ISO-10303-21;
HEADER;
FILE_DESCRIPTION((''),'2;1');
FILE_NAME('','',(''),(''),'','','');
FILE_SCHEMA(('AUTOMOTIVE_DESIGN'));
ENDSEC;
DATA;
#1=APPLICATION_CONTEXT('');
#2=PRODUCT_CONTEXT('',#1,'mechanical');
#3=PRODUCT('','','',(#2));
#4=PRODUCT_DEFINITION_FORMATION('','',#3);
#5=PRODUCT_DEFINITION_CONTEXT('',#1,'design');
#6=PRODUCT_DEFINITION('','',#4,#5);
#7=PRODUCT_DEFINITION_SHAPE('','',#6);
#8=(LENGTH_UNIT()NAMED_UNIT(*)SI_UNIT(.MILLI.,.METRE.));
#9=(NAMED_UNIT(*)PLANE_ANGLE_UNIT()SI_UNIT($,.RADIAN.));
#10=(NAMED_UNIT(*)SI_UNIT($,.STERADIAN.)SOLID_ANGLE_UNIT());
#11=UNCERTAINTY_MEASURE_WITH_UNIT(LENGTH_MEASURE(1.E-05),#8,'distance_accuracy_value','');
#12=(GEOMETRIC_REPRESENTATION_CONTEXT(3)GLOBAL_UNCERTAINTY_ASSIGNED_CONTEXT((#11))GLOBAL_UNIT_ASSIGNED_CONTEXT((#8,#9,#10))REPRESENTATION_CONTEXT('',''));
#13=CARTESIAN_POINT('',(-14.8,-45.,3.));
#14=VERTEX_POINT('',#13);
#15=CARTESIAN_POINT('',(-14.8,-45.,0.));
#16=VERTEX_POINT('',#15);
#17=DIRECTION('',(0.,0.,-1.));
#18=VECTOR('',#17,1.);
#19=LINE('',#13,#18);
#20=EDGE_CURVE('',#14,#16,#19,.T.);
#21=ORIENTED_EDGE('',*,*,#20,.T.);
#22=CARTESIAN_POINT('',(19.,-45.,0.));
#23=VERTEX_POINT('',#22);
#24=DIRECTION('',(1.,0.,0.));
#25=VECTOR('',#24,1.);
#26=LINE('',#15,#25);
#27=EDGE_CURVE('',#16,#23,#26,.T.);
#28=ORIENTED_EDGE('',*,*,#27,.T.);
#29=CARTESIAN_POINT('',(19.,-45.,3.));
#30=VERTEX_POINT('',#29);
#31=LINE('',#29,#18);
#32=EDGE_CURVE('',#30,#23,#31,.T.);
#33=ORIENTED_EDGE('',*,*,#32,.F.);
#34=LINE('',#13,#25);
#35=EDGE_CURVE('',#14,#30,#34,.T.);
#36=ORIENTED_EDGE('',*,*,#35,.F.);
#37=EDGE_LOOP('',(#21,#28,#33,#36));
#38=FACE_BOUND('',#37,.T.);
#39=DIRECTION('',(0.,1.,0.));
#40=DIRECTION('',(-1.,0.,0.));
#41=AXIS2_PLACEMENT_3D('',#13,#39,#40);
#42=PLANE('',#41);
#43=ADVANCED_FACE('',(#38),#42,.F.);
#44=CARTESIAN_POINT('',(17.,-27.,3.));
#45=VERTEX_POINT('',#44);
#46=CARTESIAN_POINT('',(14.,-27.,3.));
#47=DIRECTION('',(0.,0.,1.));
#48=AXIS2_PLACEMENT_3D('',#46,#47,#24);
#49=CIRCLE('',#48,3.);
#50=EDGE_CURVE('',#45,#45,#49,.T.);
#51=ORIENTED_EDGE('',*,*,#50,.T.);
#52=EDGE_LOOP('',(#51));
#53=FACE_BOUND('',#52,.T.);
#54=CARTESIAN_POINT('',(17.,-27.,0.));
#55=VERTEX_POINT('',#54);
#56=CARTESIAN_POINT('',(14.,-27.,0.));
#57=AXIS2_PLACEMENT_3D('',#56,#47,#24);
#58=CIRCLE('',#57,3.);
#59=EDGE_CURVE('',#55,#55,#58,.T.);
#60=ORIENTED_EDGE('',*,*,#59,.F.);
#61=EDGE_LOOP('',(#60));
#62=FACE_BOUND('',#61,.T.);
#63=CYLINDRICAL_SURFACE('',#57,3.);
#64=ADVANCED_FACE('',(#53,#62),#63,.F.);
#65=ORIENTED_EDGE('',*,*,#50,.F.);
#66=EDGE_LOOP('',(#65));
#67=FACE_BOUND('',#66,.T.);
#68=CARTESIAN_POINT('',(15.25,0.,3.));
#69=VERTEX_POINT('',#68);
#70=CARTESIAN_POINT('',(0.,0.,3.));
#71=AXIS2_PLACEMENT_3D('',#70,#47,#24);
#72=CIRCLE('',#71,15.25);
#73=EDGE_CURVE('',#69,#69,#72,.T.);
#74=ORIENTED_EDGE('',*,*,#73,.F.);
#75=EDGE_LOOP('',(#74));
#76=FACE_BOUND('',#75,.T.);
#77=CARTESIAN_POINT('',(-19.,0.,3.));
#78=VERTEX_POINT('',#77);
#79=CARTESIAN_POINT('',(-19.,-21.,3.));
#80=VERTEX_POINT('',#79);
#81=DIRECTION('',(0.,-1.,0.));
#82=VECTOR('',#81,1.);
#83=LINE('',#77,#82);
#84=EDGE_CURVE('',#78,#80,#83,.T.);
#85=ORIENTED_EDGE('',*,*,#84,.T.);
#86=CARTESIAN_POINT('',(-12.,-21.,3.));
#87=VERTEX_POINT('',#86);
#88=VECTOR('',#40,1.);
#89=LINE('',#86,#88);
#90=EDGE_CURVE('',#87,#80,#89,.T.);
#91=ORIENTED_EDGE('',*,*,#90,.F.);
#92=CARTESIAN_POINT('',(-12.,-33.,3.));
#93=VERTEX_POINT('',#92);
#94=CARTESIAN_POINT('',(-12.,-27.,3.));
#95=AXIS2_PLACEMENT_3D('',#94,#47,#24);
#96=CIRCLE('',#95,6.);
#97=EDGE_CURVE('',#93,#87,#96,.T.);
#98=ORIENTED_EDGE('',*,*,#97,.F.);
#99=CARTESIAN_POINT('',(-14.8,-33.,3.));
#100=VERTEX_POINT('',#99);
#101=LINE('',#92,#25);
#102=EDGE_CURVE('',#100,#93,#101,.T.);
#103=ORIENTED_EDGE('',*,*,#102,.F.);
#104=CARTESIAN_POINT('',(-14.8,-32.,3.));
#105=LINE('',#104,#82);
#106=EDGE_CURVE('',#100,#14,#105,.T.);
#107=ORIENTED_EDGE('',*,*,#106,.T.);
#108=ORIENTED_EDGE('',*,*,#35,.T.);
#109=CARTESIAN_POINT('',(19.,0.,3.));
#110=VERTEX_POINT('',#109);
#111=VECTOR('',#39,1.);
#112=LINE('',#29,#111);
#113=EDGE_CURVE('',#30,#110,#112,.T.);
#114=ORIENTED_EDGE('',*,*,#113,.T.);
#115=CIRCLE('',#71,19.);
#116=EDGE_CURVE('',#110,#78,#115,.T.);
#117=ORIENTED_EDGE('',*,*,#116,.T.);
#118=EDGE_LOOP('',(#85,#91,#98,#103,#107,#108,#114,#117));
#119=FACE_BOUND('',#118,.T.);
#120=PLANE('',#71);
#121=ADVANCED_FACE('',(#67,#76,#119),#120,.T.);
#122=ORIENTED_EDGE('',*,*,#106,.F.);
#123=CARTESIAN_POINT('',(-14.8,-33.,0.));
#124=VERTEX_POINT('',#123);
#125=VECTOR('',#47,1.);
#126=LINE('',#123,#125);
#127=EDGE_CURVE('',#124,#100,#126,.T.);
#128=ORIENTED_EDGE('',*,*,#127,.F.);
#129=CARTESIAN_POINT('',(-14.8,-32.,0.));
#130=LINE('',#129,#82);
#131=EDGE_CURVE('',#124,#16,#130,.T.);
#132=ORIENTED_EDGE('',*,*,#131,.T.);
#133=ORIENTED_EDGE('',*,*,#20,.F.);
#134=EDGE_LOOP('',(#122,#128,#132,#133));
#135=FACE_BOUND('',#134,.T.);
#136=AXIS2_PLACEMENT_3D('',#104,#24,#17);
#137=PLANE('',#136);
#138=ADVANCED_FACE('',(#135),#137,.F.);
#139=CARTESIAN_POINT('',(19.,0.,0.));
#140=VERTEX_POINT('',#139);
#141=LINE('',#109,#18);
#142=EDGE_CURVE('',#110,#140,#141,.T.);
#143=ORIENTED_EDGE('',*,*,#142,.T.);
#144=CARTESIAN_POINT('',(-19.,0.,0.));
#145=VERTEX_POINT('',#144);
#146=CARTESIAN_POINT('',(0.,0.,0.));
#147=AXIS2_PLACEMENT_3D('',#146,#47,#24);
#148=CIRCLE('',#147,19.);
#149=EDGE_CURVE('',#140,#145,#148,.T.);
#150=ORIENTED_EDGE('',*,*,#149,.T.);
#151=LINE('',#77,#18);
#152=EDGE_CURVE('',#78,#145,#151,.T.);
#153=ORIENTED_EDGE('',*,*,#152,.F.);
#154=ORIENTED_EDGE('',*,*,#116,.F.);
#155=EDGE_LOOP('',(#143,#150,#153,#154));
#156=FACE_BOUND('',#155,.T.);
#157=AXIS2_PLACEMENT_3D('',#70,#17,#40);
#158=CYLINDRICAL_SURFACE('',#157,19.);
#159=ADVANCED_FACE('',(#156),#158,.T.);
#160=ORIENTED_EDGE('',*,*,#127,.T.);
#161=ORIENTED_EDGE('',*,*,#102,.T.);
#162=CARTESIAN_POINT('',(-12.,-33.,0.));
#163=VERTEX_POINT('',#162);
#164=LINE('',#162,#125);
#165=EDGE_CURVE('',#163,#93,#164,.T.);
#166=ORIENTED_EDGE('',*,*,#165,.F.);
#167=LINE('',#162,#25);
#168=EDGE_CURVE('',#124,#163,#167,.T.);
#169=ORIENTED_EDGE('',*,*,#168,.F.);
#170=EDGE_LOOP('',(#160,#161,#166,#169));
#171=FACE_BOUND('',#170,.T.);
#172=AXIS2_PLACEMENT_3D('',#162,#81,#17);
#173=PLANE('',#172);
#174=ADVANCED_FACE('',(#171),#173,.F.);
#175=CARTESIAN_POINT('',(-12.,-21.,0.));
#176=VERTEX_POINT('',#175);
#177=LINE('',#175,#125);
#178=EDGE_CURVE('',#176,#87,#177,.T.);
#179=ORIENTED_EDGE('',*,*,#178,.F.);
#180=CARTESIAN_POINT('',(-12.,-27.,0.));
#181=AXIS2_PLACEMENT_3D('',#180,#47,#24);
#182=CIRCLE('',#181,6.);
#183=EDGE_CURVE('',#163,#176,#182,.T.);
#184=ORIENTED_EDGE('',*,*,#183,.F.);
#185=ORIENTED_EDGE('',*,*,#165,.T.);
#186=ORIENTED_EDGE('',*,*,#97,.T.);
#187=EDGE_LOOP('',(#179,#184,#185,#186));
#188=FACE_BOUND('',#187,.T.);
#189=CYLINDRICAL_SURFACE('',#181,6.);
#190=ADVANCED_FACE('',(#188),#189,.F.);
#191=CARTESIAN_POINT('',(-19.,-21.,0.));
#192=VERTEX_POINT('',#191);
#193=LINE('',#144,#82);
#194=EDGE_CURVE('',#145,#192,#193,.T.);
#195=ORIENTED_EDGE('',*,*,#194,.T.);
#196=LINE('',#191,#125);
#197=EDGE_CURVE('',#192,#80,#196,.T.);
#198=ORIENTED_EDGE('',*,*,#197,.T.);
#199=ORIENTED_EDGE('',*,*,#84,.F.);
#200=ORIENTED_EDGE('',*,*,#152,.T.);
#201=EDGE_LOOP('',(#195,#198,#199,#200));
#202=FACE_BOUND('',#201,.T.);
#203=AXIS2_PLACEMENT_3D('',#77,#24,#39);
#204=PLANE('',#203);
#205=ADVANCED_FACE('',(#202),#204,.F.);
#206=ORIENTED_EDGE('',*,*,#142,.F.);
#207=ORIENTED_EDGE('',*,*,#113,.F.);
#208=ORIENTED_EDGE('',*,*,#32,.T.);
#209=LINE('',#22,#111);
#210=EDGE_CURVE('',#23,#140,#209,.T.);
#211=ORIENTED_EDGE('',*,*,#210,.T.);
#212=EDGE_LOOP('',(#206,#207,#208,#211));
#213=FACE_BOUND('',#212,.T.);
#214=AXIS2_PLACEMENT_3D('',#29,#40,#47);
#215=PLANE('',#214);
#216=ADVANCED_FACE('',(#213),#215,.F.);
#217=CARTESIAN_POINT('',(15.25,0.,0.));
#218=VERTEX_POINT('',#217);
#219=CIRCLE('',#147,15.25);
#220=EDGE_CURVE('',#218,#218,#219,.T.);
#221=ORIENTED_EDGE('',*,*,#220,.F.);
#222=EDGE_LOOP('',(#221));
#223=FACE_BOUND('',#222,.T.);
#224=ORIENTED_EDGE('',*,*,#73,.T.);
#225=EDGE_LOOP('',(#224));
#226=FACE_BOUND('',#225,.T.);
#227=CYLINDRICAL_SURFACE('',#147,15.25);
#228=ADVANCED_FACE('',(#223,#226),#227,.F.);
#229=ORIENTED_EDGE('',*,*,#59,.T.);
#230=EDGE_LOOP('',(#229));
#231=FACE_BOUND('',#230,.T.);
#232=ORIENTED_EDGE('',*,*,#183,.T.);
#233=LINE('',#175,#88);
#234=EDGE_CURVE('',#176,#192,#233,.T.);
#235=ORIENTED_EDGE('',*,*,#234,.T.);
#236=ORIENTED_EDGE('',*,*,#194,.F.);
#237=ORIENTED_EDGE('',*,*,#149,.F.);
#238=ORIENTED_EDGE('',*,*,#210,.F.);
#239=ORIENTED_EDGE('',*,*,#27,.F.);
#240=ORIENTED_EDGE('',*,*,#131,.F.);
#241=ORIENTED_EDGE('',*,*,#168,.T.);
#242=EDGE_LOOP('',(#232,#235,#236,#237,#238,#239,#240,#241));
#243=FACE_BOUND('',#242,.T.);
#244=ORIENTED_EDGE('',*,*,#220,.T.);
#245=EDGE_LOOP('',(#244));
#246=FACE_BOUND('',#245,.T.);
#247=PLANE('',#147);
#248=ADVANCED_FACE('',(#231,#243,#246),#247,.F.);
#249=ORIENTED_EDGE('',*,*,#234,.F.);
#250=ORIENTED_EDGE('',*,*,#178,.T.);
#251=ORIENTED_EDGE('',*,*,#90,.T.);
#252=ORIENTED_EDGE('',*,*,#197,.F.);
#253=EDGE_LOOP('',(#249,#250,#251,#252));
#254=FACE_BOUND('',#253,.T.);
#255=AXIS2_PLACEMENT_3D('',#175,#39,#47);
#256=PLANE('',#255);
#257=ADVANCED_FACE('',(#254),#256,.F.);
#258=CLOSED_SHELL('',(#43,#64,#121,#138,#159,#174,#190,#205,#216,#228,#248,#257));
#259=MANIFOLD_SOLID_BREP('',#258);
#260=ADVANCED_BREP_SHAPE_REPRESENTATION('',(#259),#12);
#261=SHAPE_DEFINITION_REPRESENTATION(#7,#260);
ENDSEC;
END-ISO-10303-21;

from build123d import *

# Parameters (mm, degrees)
SKETCH1_R           = 2.5
SKETCH1_R_2         = 1.5
BOSS_EXTRUDE1_DEPTH = 3
SKETCH2_R           = 15.25
SKETCH2_R_2         = 3
CUT_EXTRUDE1_DEPTH  = 49.938737213


with BuildPart() as part:
    # Sketch1 → Boss-Extrude1 (new body)
    with BuildSketch(Plane.XY):
        with BuildLine():
            Line((-19, 0), (-19, -32))
            Line((-19, -32), (-14.8, -32))
            Line((-14.8, -32), (-14.8, -45))
            Line((-14.8, -45), (19, -45))
            Line((19, -45), (19, 0))
            ThreePointArc((19, 0), (0, 19), (-19, 0))
        make_face()
        Circle(SKETCH1_R, mode=Mode.SUBTRACT)
        with Locations((-14, -27)):
            Circle(SKETCH1_R_2, mode=Mode.SUBTRACT)
        with Locations(Location((14, -27, 0), (0, 0, 180))):
            Circle(SKETCH1_R_2, mode=Mode.SUBTRACT)
    extrude(amount=BOSS_EXTRUDE1_DEPTH)

    # Sketch2 → Cut-Extrude1 (cut, through all)
    with BuildSketch(Plane.XY.offset(3)):
        Circle(SKETCH2_R)
        with Locations((14, -27)):
            Circle(SKETCH2_R_2)
        with BuildLine():
            Line((-12, -21), (-19, -21))
            Line((-19, -21), (-19, -32))
            Line((-19, -32), (-14.8, -32))
            Line((-14.8, -32), (-14.8, -33))
            Line((-14.8, -33), (-12, -33))
            ThreePointArc((-12, -33), (-6, -27), (-12, -21))
        make_face()
    extrude(amount=-CUT_EXTRUDE1_DEPTH, mode=Mode.SUBTRACT)


solid = part.part
